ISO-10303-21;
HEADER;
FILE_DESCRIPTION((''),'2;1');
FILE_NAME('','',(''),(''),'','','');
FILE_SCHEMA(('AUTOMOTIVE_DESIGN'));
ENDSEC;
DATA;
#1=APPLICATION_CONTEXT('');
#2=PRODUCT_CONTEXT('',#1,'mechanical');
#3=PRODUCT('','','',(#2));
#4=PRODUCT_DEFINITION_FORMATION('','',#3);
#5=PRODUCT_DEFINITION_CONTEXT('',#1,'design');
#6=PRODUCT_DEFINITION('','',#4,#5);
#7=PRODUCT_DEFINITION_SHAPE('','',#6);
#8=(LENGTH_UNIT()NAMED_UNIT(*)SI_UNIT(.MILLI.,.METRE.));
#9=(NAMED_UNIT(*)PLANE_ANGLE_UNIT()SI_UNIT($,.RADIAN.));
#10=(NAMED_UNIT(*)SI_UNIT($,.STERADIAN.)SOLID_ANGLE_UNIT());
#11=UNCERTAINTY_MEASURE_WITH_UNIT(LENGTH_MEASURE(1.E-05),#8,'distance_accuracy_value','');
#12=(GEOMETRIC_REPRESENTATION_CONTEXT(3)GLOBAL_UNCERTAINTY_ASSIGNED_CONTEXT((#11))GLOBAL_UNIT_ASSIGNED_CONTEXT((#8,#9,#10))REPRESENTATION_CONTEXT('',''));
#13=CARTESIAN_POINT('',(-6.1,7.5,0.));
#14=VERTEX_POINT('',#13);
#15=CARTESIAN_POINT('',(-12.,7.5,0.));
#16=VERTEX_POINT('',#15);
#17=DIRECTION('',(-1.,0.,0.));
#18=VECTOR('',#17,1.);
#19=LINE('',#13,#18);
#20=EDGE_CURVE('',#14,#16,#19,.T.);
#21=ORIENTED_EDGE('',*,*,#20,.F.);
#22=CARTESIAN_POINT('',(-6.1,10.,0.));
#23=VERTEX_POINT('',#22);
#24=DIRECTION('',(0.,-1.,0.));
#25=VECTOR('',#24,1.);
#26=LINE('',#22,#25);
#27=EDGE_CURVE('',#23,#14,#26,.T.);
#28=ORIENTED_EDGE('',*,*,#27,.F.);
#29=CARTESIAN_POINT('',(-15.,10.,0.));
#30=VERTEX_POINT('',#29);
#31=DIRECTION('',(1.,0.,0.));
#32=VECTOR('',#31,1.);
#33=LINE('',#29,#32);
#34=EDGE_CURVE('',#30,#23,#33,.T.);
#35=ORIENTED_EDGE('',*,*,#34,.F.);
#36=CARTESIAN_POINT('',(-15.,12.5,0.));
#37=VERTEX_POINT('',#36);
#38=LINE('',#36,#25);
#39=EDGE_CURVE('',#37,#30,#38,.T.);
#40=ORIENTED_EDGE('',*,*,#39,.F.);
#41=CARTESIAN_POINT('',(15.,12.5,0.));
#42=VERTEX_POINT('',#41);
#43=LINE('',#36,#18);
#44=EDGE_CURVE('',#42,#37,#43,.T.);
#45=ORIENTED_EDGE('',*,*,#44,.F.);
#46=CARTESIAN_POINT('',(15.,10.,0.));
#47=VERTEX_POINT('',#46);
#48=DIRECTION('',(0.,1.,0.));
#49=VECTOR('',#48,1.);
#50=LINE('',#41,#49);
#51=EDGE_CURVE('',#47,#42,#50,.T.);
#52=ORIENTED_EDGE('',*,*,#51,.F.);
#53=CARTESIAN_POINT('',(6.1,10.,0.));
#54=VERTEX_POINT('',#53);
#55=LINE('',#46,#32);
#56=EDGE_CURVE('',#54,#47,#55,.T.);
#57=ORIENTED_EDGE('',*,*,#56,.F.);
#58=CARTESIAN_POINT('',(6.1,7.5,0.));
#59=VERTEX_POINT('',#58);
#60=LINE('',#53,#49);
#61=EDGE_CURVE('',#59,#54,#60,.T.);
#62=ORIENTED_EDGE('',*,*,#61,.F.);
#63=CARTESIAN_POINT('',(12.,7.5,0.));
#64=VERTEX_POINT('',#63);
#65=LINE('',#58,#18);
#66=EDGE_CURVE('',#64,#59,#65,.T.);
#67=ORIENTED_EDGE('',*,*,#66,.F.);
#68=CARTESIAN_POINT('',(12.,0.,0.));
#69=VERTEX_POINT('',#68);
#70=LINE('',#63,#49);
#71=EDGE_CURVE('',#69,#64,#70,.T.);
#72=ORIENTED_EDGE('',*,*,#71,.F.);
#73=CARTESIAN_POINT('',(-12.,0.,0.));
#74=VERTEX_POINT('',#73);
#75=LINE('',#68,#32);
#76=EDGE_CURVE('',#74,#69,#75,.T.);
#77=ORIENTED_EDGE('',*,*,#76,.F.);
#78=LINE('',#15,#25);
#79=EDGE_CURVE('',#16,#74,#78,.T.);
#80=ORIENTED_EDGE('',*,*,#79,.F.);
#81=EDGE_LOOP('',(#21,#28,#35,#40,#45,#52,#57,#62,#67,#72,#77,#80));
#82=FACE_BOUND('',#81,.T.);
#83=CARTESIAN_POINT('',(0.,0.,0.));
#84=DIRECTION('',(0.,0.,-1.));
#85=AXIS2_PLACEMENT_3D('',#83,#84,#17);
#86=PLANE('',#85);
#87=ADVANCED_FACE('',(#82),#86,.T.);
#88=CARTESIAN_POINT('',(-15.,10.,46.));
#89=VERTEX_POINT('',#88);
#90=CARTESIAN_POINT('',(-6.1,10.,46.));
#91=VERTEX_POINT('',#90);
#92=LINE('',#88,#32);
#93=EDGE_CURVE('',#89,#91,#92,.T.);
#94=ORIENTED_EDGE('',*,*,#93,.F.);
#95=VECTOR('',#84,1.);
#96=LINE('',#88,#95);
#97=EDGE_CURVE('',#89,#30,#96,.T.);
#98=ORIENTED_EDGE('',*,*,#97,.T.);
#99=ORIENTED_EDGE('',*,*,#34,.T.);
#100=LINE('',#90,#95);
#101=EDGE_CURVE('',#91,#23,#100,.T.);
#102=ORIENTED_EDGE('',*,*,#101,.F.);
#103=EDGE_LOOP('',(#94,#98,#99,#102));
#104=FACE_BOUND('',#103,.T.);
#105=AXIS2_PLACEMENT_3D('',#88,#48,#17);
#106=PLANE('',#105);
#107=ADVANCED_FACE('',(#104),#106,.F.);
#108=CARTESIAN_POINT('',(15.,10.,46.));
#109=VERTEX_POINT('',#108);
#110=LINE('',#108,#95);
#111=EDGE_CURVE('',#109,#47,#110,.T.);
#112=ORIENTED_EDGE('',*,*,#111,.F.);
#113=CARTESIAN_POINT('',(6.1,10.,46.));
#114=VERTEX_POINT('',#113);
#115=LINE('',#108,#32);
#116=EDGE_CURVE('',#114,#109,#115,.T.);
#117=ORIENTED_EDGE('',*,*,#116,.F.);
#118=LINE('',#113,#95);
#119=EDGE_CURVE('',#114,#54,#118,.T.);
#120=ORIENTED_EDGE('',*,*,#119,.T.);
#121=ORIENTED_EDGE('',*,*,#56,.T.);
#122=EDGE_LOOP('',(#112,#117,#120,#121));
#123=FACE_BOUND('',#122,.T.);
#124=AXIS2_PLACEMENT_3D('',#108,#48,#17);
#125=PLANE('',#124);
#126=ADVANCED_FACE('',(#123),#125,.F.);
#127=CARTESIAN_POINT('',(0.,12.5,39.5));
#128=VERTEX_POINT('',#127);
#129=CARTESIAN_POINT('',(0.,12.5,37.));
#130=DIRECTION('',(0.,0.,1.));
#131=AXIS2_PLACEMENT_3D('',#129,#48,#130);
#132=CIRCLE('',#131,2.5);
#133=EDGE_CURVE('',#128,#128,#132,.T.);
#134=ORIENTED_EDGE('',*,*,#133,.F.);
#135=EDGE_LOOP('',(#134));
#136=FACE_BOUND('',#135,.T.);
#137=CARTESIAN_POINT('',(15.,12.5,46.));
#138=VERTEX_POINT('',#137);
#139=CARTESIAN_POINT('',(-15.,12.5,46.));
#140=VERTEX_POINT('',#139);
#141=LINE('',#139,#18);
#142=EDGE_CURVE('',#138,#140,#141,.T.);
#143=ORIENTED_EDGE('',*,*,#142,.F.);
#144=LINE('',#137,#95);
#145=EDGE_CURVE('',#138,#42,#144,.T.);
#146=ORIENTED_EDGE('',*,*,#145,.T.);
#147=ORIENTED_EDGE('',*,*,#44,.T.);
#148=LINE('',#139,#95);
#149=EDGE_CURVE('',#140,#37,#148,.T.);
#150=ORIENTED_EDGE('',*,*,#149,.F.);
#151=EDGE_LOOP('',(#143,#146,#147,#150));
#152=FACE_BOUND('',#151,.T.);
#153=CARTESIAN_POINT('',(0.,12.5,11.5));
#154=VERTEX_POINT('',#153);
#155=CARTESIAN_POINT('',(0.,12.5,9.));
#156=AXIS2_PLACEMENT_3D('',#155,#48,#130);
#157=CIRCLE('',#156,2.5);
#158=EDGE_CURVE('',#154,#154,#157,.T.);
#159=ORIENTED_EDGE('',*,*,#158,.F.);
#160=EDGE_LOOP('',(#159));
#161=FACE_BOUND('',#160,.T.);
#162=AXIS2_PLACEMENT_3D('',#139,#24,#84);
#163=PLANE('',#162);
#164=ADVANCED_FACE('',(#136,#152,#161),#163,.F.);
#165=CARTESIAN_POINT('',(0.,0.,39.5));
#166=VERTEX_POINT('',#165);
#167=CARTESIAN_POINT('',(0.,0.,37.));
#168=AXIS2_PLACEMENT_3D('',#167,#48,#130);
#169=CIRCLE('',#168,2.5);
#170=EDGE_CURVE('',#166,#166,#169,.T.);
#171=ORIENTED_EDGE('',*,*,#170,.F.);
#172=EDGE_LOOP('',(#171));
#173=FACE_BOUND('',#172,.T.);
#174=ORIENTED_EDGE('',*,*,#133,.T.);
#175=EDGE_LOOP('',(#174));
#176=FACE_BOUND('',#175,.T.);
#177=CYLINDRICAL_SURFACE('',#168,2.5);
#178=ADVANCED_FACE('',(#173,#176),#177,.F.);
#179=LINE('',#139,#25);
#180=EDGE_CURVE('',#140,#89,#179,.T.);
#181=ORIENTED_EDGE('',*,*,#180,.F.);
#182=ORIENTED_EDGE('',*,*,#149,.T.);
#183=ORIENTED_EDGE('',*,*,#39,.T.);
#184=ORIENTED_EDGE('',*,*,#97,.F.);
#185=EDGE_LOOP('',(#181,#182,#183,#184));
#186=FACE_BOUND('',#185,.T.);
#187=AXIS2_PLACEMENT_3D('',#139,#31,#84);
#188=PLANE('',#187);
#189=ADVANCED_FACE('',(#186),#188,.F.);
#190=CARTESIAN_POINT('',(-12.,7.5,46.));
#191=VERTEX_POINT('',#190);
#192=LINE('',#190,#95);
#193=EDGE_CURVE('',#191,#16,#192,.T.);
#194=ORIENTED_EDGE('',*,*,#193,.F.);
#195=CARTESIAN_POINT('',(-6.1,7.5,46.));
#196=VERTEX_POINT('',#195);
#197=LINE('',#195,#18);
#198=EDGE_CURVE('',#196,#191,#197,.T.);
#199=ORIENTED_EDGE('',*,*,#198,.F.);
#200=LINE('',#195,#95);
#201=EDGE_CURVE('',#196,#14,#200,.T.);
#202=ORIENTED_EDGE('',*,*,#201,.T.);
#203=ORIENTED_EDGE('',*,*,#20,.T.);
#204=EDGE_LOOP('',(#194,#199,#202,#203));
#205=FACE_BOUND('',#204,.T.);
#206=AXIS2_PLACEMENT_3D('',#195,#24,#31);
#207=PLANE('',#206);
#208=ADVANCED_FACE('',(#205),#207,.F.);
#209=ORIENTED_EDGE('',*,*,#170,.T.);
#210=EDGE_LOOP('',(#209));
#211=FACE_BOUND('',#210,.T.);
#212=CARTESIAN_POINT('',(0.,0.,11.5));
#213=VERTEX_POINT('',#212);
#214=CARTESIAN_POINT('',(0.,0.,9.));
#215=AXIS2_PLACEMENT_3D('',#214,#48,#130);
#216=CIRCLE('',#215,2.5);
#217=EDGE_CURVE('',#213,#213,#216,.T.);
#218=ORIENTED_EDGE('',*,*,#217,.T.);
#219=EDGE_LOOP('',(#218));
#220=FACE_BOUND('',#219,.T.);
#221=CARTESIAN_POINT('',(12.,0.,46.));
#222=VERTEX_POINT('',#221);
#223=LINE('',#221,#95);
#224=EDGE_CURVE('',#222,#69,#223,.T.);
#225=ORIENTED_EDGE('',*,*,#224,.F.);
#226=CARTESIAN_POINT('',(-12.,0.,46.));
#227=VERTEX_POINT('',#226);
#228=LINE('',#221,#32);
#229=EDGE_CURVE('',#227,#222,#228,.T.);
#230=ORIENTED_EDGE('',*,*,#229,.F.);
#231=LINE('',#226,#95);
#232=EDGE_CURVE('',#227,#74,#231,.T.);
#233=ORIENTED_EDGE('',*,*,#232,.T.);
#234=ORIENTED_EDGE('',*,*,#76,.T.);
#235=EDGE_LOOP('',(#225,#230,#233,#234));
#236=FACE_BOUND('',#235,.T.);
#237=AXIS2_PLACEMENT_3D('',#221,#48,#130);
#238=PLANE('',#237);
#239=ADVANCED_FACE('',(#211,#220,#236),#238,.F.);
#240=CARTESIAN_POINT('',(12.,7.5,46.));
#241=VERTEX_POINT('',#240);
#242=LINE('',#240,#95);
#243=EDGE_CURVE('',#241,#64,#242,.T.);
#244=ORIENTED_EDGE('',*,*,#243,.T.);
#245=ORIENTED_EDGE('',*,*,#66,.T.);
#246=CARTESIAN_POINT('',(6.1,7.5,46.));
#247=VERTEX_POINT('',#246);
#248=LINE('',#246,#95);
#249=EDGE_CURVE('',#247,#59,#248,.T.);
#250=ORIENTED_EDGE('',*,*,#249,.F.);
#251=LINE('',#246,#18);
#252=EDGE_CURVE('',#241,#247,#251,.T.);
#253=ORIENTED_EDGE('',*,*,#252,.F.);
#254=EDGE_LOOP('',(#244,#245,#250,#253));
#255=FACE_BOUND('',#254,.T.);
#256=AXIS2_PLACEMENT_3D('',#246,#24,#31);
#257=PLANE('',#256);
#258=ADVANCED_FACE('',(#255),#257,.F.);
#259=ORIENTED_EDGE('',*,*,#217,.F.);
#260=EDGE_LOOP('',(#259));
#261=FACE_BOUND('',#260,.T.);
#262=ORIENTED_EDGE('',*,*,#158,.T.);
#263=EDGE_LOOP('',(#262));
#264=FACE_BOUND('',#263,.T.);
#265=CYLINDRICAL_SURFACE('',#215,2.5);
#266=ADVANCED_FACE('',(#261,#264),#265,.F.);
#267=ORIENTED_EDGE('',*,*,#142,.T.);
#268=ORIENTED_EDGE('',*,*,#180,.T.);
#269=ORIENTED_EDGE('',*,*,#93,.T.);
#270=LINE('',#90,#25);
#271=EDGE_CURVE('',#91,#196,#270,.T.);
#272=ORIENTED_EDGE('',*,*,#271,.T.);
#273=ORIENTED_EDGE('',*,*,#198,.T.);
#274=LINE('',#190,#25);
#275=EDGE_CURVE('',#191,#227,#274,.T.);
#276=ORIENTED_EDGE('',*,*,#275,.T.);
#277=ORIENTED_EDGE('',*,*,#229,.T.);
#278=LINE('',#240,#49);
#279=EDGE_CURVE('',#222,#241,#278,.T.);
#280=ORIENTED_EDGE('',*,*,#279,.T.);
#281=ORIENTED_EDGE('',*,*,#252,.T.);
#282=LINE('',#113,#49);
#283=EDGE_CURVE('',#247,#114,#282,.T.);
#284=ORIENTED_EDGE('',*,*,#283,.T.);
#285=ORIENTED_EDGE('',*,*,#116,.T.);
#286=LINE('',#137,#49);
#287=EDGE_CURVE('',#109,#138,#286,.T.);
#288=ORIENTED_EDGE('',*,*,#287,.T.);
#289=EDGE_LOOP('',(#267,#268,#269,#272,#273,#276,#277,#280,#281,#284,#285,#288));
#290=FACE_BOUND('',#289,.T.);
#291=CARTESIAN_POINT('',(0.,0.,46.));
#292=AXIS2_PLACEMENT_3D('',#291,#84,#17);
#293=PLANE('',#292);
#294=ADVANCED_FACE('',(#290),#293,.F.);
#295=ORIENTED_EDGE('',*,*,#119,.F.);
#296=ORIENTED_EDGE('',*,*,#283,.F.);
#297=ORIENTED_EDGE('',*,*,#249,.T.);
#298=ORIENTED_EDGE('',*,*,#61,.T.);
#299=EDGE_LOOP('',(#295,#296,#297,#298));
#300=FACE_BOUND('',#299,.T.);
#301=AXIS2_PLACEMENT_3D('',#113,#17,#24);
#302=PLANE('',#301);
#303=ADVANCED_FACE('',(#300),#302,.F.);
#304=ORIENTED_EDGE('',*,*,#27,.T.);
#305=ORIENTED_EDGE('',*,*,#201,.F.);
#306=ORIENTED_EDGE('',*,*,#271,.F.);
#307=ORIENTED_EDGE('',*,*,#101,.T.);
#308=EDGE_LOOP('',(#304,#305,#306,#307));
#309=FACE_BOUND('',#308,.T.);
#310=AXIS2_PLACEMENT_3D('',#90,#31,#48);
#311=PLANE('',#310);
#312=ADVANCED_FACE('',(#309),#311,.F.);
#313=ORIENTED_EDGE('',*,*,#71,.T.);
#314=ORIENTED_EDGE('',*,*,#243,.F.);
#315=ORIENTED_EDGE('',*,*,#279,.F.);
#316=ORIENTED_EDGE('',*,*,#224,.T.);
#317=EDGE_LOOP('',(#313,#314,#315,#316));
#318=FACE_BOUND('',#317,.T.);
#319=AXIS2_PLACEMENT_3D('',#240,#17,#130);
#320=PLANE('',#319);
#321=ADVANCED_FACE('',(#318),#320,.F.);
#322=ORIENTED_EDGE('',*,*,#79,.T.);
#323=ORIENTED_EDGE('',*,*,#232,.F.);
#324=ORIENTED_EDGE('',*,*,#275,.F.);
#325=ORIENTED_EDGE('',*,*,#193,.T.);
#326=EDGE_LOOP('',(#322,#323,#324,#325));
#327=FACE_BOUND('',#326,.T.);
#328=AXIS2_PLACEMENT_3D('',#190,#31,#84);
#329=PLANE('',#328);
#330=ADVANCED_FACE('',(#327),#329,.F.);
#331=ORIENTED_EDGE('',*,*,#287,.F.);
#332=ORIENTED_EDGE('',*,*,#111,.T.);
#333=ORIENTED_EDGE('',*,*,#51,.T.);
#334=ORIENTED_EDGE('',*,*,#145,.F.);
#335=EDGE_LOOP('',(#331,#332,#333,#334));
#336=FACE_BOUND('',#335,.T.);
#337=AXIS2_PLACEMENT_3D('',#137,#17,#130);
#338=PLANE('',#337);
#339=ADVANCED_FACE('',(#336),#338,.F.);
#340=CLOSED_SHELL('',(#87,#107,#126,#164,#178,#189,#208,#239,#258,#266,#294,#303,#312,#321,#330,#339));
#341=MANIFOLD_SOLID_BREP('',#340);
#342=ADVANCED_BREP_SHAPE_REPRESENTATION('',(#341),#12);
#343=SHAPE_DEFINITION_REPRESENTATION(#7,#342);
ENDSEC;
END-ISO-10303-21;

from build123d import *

# Parameters (mm, degrees)
BOSS_EXTRUDE1_DEPTH = 46
SKETCH2_R           = 2.5
CUT_EXTRUDE1_DEPTH  = 50.972492433


with BuildPart() as part:
    # Sketch1 → Boss-Extrude1 (new body)
    with BuildSketch(Plane.XY):
        Polygon((-15, 12.5), (15, 12.5), (15, 10), (6.1, 10), (6.1, 7.5), (12, 7.5), (12, 0), (-12, 0), (-12, 7.5), (-6.1, 7.5), (-6.1, 10), (-15, 10), align=None)
    extrude(amount=BOSS_EXTRUDE1_DEPTH)

    # Sketch2 → Cut-Extrude1 (cut, through all)
    with BuildSketch(Plane(origin=(0, 12.5, 0), x_dir=(1, 0, 0), z_dir=(0, 1, 0))):
        with Locations(Location((0, -9, 0), (0, 0, 270))):
            Circle(SKETCH2_R)
        with Locations(Location((0, -37, 0), (0, 0, 270))):
            Circle(SKETCH2_R)
    extrude(amount=-CUT_EXTRUDE1_DEPTH, mode=Mode.SUBTRACT)


solid = part.part
